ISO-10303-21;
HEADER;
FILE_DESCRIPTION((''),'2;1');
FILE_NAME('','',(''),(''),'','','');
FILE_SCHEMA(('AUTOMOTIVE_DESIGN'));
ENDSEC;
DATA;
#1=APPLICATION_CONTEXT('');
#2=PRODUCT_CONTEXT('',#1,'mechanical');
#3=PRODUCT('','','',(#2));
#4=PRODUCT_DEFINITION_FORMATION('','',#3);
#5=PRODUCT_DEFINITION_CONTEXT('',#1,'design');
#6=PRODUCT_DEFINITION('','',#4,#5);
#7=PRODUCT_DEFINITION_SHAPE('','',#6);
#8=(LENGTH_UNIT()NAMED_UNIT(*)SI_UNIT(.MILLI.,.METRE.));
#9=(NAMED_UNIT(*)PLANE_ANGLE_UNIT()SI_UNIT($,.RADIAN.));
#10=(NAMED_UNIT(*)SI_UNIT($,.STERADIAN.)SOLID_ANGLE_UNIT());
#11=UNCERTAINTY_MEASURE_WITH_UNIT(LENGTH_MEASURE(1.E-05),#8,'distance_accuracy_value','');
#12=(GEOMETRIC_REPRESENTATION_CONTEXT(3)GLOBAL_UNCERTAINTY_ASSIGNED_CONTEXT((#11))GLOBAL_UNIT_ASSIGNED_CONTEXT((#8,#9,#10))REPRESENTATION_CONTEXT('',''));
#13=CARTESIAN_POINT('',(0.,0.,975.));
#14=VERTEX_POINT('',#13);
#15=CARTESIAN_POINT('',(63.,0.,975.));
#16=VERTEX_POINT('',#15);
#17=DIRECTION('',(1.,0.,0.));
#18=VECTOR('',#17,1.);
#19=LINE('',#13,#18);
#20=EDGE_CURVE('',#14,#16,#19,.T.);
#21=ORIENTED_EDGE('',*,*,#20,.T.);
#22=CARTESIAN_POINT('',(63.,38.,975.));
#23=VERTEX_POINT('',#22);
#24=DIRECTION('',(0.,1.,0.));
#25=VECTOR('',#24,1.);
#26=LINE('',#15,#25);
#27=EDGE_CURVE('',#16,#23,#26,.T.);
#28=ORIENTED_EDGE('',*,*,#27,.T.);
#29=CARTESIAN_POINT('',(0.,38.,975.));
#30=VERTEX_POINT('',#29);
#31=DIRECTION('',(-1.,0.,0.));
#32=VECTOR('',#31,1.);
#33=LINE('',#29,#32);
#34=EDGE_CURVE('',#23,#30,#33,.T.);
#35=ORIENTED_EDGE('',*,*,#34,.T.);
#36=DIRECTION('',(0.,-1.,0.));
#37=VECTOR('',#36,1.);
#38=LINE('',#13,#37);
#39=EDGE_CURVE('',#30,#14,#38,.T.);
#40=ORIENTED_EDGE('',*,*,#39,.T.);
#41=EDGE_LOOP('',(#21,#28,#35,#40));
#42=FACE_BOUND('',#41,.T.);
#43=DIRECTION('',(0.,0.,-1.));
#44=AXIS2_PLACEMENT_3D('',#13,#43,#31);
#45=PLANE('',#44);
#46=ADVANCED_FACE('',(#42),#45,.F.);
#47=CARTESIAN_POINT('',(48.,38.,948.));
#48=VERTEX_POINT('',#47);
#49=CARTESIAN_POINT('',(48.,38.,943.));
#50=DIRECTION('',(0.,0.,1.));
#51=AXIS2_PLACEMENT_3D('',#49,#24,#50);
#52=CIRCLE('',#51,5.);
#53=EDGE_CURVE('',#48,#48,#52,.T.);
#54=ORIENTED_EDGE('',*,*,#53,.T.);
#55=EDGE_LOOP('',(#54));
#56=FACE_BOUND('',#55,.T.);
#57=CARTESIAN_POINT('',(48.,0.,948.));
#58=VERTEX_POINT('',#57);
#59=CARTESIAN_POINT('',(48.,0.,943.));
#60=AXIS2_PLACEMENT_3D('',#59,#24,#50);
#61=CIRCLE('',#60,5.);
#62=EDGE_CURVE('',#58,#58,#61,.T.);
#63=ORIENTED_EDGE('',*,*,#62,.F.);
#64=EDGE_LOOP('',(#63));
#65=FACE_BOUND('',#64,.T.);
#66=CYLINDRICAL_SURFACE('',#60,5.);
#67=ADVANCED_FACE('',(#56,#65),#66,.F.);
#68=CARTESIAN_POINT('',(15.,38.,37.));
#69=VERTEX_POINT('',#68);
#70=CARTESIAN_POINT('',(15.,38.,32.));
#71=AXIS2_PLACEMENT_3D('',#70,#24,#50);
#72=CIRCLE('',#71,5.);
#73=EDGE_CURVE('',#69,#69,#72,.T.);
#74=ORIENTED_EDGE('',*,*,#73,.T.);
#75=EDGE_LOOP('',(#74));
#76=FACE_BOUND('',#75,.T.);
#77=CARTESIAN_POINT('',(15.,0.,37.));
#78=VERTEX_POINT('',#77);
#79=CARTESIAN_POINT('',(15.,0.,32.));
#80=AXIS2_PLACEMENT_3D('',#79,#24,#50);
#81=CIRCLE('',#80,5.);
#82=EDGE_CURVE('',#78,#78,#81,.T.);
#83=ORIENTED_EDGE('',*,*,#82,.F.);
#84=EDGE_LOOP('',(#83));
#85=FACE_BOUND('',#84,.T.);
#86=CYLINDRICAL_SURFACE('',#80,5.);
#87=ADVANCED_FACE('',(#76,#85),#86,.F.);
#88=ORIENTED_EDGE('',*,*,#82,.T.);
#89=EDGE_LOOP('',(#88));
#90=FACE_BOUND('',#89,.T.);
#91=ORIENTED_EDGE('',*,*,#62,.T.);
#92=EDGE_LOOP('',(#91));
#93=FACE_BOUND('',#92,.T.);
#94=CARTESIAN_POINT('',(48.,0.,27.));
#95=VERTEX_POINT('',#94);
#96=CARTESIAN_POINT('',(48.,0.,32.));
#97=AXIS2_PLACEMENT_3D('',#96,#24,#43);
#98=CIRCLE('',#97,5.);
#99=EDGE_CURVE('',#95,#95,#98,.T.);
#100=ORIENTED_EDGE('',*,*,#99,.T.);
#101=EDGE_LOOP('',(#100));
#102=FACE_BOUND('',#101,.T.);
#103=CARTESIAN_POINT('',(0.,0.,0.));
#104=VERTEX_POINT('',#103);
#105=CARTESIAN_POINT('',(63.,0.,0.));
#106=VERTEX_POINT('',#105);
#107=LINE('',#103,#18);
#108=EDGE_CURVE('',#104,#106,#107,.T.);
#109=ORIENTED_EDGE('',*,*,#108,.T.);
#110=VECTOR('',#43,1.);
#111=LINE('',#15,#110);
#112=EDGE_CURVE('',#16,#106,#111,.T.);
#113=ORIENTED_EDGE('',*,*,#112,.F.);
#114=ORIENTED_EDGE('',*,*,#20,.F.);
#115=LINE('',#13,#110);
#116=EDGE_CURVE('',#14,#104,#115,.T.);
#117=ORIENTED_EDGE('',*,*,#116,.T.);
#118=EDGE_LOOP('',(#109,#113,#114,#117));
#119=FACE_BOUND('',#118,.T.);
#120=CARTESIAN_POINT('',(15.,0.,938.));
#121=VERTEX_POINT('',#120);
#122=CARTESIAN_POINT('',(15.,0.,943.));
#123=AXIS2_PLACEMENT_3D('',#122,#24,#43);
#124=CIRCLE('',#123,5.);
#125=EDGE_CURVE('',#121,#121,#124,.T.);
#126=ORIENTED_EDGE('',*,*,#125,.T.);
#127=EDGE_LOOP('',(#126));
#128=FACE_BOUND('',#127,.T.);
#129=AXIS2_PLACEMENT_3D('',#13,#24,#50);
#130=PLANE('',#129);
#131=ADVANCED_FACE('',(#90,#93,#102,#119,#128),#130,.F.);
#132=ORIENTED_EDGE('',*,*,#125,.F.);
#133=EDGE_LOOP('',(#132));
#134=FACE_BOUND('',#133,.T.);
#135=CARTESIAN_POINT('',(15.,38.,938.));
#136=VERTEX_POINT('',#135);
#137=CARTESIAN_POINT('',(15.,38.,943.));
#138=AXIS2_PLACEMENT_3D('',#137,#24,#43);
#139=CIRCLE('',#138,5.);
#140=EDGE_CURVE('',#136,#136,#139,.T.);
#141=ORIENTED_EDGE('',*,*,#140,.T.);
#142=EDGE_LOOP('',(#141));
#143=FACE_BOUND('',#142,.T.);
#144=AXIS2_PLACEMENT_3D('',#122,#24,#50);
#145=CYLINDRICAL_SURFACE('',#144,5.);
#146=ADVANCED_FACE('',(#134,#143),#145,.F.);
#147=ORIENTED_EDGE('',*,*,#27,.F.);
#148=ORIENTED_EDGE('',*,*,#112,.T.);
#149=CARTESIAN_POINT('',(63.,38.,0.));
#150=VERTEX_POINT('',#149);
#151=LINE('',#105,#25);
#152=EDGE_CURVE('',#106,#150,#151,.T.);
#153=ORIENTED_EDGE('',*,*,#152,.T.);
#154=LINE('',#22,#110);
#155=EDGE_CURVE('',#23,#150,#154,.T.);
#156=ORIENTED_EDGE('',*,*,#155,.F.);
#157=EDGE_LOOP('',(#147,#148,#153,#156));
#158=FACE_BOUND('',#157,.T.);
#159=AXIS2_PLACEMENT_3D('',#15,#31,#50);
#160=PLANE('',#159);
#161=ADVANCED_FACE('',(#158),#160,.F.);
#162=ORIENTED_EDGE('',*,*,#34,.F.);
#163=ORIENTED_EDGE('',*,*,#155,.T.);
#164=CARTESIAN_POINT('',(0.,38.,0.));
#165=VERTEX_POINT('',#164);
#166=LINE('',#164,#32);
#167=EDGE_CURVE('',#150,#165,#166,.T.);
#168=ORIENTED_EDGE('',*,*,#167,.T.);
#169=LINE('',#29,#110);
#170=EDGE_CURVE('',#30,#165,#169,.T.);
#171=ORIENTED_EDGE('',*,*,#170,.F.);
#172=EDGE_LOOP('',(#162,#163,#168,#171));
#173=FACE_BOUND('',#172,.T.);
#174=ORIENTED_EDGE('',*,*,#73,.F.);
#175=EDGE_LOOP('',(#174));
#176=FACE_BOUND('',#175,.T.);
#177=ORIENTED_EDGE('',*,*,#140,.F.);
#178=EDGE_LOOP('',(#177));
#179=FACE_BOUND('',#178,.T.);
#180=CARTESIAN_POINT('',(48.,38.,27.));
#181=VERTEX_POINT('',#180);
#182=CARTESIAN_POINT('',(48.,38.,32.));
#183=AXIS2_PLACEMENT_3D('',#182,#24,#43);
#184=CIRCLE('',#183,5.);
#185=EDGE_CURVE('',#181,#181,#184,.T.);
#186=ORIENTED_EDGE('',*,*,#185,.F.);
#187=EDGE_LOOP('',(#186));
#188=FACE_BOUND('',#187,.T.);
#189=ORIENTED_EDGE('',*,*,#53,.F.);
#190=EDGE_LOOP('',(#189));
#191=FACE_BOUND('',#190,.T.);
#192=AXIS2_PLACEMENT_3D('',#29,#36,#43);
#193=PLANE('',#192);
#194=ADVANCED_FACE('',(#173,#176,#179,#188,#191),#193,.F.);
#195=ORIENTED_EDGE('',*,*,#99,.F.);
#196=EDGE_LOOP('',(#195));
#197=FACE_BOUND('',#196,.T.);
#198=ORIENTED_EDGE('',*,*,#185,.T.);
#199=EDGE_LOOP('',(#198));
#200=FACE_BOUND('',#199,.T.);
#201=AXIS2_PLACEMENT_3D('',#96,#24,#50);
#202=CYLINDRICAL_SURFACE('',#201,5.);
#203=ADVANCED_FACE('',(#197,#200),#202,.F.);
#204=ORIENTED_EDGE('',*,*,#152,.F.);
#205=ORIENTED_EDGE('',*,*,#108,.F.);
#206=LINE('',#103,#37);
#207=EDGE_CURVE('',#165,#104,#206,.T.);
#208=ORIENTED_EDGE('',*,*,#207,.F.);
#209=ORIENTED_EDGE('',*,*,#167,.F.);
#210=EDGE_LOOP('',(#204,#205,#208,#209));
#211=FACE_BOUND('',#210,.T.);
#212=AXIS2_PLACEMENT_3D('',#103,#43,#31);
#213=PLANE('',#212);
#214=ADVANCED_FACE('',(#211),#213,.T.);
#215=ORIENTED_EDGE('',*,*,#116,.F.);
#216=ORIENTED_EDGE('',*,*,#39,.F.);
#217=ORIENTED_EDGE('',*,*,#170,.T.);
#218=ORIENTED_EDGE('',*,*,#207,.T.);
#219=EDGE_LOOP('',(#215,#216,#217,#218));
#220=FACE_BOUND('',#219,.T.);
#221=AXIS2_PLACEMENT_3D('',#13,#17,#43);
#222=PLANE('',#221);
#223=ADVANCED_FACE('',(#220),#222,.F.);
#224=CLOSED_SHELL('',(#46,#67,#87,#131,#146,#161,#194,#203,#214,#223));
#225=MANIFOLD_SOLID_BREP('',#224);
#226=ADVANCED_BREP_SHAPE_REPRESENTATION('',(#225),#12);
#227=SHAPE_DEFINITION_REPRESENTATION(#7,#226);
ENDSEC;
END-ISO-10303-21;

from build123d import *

# Parameters (mm, degrees)
ESQUISSE1_W             = 63
ESQUISSE1_H             = 38
BOSS_EXTRU_1_DEPTH      = 975
ESQUISSE3_R             = 5
ENL_V_MAT_EXTRU_1_DEPTH = 978.771957053


with BuildPart() as part:
    # Esquisse1 → Boss.-Extru.1 (new body)
    with BuildSketch(Plane.XY):
        with Locations((31.5, 19)):
            Rectangle(ESQUISSE1_W, ESQUISSE1_H)
    extrude(amount=BOSS_EXTRU_1_DEPTH)

    # Esquisse3 → Enlèv. mat.-Extru.1 (cut, through all)
    with BuildSketch(Plane(origin=(0, 38, 0), x_dir=(1, 0, 0), z_dir=(0, 1, 0))):
        with Locations(Location((15, -32, 0), (0, 0, 270))):
            Circle(ESQUISSE3_R)
        with Locations(Location((48, -32, 0), (0, 0, 90))):
            Circle(ESQUISSE3_R)
        with Locations(Location((48, -943, 0), (0, 0, 270))):
            Circle(ESQUISSE3_R)
        with Locations(Location((15, -943, 0), (0, 0, 90))):
            Circle(ESQUISSE3_R)
    extrude(amount=-ENL_V_MAT_EXTRU_1_DEPTH, mode=Mode.SUBTRACT)


solid = part.part
